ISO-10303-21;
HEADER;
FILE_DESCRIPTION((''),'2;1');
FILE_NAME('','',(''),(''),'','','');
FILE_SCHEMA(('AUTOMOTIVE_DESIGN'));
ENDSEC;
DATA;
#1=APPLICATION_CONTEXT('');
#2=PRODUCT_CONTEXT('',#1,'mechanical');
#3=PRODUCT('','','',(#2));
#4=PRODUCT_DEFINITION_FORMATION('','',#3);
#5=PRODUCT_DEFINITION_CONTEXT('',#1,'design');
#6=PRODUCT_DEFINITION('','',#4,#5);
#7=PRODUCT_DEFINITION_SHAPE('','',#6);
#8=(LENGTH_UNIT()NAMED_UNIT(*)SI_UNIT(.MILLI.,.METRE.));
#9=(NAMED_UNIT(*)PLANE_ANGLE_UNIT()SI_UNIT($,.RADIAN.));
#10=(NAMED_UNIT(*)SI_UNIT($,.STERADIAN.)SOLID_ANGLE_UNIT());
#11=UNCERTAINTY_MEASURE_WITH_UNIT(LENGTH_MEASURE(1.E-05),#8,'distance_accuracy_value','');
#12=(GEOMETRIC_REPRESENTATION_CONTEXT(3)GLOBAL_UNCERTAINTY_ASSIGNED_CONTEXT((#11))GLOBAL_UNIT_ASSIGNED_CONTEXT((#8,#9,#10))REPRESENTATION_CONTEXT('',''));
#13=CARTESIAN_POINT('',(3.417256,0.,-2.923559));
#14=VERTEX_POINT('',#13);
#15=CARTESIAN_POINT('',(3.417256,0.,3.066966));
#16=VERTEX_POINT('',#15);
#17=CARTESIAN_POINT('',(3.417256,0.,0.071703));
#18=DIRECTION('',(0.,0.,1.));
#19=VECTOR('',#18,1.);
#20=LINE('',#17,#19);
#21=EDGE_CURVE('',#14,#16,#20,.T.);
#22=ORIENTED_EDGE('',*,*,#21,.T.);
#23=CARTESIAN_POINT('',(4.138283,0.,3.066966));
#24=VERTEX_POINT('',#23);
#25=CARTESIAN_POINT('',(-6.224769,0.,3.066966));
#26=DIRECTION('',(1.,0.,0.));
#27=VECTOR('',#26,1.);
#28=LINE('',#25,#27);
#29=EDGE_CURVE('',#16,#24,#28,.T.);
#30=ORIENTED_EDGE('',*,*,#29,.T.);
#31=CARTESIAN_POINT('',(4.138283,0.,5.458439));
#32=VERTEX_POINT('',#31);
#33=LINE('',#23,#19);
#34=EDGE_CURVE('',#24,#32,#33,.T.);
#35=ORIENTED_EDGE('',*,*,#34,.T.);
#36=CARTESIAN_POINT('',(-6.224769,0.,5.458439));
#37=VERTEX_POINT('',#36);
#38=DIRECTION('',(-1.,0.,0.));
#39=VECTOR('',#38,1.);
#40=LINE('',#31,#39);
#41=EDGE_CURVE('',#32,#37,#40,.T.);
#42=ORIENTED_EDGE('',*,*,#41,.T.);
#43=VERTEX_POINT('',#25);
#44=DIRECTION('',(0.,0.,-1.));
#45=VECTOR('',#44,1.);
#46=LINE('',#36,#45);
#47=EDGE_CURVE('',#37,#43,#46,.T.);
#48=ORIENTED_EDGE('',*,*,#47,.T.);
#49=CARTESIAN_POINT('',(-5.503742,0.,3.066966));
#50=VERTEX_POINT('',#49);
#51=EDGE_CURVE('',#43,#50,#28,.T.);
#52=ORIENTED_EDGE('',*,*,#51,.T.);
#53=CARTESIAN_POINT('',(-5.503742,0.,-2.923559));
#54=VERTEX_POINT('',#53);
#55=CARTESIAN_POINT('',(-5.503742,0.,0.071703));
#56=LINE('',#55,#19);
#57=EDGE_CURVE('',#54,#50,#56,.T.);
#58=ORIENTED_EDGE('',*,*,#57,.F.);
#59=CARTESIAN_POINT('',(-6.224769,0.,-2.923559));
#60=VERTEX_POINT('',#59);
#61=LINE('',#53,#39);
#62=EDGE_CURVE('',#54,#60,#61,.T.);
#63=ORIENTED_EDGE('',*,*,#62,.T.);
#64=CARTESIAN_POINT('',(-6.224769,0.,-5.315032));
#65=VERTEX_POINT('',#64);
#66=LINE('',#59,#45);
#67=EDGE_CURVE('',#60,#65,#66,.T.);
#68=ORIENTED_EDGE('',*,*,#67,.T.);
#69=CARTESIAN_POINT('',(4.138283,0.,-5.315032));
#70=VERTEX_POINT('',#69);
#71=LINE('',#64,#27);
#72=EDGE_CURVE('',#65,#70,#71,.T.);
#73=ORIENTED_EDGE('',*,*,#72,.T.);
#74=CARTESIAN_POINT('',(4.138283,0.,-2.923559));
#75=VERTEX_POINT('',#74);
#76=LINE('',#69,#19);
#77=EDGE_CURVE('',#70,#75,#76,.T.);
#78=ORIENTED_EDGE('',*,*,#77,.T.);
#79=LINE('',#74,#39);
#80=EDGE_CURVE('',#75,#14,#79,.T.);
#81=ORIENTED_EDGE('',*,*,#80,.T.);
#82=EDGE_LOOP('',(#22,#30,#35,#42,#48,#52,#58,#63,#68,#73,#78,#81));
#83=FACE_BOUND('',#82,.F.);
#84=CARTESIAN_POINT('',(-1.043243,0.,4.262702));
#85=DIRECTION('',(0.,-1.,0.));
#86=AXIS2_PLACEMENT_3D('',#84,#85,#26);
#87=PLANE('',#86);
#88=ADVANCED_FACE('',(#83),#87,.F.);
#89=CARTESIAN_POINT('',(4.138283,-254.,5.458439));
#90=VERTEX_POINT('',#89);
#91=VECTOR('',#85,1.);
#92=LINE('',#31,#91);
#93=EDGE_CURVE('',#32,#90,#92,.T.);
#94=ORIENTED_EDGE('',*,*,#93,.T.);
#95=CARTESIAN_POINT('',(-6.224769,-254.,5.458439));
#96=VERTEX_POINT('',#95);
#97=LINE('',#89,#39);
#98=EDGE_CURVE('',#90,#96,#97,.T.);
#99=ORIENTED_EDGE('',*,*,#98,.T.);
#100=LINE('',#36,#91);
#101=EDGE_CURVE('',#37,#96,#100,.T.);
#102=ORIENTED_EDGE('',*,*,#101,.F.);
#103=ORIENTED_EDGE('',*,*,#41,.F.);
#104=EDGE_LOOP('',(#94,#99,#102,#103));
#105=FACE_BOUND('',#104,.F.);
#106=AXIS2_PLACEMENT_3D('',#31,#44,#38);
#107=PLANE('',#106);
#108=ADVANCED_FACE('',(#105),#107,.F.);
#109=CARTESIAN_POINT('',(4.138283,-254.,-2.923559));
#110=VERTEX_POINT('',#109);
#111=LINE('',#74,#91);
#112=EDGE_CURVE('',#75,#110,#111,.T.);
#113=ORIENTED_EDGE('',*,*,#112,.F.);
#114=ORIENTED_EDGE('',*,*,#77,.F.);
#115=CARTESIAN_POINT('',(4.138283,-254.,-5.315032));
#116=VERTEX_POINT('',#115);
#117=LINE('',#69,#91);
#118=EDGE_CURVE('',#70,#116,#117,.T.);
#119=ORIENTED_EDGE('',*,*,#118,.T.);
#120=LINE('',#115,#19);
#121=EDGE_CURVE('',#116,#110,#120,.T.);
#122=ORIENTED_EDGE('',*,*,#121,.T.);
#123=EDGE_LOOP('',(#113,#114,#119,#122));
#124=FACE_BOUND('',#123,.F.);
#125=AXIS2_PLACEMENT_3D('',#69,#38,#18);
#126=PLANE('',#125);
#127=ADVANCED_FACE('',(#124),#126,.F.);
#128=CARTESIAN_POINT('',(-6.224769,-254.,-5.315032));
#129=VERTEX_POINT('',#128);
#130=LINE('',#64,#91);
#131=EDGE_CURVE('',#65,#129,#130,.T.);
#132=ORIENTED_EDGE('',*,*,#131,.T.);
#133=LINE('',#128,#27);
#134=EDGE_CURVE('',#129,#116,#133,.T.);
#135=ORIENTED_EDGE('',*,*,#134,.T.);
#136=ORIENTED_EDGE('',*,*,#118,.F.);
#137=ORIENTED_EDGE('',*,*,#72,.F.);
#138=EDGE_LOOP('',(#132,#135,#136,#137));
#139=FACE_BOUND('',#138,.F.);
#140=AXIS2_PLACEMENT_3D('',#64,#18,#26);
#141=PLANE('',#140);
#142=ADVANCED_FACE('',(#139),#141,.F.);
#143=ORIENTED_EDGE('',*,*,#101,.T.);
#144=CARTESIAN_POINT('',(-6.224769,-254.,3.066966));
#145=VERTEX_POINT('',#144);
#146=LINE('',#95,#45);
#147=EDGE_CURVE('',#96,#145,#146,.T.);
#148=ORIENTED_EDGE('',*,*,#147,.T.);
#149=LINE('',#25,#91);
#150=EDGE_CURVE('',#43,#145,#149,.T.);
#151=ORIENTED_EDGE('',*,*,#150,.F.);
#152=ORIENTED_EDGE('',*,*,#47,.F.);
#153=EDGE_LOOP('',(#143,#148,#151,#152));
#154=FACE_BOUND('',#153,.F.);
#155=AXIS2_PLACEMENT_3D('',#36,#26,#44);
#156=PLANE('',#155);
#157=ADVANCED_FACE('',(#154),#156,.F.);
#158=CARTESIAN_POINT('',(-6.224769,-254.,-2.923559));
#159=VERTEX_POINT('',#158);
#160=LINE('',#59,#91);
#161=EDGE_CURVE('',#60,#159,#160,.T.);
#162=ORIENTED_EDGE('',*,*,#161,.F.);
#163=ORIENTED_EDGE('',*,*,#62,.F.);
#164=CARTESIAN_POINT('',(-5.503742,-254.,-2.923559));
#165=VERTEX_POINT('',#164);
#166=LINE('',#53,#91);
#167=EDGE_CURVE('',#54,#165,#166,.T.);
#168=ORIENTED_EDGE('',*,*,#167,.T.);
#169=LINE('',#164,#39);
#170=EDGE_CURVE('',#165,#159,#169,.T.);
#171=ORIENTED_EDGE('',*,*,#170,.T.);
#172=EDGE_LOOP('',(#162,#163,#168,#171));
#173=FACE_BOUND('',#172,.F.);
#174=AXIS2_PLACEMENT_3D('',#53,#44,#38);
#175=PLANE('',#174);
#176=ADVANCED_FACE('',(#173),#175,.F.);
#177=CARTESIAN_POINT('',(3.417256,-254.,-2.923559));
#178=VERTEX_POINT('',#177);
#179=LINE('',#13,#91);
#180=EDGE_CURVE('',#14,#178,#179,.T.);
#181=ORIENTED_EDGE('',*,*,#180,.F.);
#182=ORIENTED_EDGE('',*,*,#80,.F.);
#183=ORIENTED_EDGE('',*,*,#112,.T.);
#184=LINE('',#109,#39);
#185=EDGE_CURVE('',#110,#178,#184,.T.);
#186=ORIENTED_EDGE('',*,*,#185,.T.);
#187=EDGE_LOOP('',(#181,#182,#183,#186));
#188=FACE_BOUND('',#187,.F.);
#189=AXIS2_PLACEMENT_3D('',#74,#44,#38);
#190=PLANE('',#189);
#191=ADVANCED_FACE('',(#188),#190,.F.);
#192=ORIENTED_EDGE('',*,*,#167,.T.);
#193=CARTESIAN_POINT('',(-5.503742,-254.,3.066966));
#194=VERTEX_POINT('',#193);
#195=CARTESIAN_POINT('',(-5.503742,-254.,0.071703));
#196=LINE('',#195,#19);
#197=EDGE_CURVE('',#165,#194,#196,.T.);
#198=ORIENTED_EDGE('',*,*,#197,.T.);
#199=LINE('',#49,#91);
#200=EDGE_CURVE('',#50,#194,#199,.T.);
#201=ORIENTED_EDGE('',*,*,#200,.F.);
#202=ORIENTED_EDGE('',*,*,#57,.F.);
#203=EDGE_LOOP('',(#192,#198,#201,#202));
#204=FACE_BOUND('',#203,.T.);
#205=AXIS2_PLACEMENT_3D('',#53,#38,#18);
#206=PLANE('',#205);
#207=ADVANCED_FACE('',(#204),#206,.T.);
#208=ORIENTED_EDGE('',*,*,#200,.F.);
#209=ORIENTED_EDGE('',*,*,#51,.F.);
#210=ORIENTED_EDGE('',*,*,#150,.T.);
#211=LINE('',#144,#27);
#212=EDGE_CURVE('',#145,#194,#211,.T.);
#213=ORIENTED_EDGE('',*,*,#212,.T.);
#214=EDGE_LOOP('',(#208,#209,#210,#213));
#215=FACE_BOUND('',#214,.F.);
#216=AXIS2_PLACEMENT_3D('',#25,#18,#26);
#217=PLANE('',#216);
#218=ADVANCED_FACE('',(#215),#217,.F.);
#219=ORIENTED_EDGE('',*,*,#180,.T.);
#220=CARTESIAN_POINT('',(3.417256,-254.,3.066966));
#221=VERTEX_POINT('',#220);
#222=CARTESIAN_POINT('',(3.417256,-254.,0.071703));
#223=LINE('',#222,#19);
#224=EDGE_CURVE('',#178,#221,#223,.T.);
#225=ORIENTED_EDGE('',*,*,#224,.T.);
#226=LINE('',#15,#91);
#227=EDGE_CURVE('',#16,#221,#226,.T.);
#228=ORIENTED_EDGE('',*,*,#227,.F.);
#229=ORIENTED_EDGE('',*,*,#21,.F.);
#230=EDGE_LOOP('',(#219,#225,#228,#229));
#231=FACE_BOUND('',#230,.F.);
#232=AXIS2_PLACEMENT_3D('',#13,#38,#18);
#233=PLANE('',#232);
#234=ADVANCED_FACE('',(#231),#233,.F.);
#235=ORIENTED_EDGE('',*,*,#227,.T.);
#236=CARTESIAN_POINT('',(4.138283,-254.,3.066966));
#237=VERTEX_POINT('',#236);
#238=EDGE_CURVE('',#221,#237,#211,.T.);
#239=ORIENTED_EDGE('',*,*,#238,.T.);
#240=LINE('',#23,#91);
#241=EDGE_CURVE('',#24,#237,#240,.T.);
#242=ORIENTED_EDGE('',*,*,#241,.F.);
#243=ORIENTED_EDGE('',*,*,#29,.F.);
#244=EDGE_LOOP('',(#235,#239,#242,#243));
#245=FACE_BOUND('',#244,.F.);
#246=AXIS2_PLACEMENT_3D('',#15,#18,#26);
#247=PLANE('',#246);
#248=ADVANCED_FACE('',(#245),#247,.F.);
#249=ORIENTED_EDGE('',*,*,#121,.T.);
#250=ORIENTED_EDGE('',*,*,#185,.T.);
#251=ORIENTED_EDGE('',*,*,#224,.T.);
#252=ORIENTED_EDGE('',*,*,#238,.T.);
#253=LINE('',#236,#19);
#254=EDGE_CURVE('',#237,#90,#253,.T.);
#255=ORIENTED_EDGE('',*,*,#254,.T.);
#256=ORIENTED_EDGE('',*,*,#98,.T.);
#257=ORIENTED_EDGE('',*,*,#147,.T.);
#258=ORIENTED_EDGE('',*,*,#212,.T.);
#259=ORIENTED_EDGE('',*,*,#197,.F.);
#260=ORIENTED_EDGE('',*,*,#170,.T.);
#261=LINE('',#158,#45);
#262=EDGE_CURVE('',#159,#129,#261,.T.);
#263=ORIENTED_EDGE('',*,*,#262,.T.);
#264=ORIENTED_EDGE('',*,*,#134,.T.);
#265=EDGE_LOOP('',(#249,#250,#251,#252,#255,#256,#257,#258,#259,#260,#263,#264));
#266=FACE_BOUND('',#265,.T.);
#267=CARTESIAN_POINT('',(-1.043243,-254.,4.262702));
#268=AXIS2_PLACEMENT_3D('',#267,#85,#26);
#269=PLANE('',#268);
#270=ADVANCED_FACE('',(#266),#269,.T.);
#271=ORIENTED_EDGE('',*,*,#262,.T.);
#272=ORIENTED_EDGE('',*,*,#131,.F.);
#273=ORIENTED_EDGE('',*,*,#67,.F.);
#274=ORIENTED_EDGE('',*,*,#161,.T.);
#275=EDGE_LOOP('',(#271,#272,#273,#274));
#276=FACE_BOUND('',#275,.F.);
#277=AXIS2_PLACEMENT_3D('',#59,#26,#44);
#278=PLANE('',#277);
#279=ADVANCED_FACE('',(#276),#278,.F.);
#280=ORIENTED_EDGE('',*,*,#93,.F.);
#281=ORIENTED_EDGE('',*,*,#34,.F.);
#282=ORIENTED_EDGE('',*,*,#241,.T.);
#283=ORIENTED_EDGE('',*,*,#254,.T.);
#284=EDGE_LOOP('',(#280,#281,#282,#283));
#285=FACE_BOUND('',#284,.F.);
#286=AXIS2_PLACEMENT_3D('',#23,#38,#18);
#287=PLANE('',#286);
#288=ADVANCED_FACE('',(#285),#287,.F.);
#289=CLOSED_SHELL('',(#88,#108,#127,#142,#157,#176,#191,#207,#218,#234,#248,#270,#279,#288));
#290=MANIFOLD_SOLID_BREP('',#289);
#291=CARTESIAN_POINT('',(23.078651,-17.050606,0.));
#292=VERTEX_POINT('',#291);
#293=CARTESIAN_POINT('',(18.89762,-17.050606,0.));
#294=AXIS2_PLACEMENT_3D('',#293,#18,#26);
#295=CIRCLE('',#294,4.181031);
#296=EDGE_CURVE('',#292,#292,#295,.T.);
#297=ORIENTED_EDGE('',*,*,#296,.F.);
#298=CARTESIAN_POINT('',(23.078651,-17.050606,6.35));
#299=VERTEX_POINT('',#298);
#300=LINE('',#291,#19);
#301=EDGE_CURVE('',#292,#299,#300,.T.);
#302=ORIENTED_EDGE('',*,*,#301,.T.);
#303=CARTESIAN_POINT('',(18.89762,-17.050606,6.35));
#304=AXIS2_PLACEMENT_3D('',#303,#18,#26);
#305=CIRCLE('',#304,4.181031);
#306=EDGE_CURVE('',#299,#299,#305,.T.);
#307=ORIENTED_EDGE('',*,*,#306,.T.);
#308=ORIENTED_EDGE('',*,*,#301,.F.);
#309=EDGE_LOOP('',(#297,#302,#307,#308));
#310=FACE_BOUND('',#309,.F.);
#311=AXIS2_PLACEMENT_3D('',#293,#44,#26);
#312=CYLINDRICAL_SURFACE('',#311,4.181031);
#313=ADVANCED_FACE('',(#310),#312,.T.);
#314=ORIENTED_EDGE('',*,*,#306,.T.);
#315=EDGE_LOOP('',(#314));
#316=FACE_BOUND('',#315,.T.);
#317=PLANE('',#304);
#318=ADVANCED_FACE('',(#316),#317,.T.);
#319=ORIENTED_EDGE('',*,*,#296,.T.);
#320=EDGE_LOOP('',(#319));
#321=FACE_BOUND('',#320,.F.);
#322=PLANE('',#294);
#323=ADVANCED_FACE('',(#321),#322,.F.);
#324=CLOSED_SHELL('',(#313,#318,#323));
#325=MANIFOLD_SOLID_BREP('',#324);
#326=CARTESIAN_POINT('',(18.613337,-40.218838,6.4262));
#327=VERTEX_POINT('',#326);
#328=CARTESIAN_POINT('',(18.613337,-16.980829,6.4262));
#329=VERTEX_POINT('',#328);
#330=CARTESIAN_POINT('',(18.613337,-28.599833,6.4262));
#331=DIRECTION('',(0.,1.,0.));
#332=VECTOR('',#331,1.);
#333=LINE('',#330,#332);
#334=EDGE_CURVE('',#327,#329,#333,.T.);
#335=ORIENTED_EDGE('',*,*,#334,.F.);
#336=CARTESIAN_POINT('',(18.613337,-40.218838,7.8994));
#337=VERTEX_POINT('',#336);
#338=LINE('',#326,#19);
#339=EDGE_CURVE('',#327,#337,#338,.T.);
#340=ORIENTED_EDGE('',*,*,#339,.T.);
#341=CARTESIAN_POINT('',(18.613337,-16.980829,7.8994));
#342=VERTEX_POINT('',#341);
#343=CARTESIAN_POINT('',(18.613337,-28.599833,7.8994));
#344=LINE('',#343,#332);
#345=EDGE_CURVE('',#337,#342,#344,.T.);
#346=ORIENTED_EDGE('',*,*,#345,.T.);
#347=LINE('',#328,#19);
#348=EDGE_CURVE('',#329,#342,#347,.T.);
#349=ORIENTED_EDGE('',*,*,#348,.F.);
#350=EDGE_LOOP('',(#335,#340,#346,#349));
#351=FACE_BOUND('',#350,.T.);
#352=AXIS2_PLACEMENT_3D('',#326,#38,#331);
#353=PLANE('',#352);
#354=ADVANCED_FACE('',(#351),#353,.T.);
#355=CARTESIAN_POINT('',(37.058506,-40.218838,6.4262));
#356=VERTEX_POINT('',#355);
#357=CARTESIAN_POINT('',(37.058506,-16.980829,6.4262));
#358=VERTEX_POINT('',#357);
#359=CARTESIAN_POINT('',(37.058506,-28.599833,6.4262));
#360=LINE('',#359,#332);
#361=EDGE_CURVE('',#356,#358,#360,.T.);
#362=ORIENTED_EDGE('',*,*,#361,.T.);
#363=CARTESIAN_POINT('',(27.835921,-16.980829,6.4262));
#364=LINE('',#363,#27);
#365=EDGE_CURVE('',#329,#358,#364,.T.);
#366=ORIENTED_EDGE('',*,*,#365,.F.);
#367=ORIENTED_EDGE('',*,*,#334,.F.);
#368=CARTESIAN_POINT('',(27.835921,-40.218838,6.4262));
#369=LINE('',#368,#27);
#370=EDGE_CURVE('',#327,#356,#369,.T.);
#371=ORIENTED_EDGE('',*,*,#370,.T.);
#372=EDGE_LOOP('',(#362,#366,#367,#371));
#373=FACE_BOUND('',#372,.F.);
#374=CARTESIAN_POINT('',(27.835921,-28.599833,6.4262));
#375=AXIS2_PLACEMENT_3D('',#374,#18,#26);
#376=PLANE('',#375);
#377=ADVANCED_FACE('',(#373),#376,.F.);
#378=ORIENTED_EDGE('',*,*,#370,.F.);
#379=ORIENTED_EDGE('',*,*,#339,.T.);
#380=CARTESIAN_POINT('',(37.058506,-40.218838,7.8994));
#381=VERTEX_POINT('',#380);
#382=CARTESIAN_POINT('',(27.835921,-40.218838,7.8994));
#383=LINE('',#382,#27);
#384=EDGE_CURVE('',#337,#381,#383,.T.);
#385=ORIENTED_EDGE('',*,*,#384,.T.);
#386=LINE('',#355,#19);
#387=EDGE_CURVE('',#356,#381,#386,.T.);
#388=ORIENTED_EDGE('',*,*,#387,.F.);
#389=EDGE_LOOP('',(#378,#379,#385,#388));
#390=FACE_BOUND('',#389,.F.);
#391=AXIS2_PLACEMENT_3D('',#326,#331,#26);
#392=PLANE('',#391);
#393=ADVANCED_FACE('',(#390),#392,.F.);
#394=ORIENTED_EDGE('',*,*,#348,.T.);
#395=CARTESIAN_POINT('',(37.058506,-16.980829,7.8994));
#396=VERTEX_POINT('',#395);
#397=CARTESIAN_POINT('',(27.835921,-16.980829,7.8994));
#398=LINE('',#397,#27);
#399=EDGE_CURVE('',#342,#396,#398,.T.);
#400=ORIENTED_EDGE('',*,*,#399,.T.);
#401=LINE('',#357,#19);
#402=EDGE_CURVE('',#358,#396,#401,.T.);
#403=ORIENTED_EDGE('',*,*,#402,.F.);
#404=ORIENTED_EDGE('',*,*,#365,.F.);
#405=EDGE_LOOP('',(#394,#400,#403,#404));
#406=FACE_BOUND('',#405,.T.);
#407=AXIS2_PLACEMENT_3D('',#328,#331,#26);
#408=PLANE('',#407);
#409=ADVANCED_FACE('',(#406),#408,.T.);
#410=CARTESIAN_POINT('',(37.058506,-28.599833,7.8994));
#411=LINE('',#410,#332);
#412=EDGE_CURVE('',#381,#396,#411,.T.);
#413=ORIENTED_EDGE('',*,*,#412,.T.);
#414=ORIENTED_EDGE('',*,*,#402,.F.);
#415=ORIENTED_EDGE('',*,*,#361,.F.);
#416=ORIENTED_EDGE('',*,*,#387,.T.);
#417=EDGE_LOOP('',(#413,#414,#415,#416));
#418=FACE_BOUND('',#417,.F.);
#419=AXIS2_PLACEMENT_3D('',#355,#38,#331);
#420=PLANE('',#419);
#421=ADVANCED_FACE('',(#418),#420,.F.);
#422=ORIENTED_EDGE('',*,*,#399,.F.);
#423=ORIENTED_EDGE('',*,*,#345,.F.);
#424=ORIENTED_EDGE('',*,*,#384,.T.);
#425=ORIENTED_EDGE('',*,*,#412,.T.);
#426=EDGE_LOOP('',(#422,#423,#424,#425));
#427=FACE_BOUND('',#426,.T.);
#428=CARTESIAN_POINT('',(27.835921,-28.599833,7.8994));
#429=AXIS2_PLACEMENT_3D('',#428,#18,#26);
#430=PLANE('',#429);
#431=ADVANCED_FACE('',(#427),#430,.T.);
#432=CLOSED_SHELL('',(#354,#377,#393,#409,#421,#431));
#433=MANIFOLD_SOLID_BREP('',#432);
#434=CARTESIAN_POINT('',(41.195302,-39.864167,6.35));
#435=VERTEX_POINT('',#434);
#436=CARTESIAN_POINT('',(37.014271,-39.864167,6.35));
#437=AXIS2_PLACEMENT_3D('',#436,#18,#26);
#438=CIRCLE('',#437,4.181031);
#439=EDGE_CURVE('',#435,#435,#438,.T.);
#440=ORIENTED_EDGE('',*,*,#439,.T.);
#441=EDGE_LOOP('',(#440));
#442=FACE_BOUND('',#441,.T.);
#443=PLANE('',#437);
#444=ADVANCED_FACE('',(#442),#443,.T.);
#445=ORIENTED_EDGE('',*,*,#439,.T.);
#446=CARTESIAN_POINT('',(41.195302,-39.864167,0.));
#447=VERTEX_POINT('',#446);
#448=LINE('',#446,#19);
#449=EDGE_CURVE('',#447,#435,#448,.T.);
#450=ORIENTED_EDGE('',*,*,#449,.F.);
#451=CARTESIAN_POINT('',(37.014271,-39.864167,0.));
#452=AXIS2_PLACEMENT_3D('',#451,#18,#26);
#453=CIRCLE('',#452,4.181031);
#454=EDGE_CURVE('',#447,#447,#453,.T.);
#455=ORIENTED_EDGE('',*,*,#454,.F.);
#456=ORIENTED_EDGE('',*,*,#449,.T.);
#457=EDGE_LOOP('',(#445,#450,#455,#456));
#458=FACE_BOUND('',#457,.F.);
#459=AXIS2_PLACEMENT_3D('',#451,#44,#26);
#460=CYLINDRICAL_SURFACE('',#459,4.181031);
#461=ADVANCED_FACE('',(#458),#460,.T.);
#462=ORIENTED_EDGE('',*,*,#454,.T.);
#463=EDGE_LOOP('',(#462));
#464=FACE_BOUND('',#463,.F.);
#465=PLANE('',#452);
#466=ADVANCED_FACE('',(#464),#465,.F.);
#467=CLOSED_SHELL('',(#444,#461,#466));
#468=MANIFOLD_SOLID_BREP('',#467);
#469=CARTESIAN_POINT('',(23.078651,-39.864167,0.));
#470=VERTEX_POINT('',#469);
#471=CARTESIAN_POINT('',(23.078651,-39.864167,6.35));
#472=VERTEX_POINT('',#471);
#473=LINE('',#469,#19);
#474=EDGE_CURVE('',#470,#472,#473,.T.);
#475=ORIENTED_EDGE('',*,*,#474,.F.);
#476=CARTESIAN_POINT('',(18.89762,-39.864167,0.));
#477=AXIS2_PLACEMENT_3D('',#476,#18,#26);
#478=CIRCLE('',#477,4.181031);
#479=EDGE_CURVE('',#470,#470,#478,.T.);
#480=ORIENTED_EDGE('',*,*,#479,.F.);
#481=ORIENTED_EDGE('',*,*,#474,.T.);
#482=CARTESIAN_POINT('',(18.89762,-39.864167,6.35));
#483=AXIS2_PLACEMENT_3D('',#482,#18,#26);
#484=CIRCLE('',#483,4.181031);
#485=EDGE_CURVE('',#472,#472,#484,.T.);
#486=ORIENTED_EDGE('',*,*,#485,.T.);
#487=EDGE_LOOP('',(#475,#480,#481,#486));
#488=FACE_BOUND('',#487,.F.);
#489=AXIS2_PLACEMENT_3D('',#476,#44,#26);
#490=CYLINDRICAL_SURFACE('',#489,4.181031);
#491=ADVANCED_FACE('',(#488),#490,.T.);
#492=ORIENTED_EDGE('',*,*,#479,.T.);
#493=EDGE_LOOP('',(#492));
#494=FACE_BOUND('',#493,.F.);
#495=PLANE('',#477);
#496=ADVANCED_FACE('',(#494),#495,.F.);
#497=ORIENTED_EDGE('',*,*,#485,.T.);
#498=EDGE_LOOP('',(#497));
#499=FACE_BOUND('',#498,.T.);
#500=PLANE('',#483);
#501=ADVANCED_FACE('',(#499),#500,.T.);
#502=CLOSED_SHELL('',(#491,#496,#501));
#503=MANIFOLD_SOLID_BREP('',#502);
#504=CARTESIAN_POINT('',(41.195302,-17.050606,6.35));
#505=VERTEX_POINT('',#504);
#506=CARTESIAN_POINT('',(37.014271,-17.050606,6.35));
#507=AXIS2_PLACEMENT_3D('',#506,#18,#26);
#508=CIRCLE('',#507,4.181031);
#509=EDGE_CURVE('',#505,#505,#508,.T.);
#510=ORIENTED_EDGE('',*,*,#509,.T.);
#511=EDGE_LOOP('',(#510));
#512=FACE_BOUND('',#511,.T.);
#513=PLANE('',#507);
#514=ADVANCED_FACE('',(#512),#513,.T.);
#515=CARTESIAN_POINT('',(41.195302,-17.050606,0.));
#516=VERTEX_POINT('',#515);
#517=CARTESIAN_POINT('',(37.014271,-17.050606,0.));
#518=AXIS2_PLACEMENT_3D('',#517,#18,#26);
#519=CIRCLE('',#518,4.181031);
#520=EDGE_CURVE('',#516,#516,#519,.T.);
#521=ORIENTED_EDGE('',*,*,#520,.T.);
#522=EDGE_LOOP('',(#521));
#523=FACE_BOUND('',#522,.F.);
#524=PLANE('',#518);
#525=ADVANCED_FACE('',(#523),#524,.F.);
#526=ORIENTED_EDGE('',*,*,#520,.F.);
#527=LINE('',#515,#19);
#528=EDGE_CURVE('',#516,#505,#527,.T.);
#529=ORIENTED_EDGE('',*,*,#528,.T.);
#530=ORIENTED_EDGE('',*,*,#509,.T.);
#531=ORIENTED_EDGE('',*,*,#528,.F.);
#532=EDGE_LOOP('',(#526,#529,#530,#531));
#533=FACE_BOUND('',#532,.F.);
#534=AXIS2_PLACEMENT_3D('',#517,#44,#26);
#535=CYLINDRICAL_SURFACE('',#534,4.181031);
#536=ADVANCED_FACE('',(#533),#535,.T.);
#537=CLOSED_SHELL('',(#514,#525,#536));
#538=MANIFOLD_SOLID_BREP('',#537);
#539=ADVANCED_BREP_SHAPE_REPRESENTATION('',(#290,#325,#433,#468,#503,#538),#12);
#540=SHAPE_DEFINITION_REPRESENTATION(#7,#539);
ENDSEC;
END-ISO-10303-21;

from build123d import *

# Parameters (mm, degrees)
F0_W     = 8.9209983125
F0_H     = 5.9905247763
F1_DEPTH = 254
F2_R     = 4.1810308668
F3_DEPTH = 6.35
F5_START = 6.4262
F4_W     = 18.4451695532
F4_H     = 23.2380088419
F5_DEPTH = 1.4732


with BuildPart() as f1:
    # F0 (on Front) → F1 (new body)
    with BuildSketch(Plane.XZ):
        Polygon((4.1382829659, 5.458438769), (-6.2247687019, 5.458438769), (-6.2247687019, 3.0669656117), (-5.5037420243, 3.0669656117), (3.4172562882, 3.0669656117), (4.1382829659, 3.0669656117), align=None)
        with Locations((-1.043242868, 0.0717032235)):
            Rectangle(F0_W, F0_H)
        Polygon((3.4172562882, -2.9235591646), (-5.5037420243, -2.9235591646), (-6.2247687019, -2.9235591646), (-6.2247687019, -5.315032322), (4.1382829659, -5.315032322), (4.1382829659, -2.9235591646), align=None)
    extrude(amount=F1_DEPTH)


with BuildPart() as f3:
    # F2 (on Top) → F3 (new body)
    with BuildSketch(Plane.XY):
        with Locations((18.8976201718, -17.0506061133)):
            Circle(F2_R)
    extrude(amount=F3_DEPTH)


with BuildPart() as f3b:
    # F2 (on Top) → F3, piece 2 (new body)
    with BuildSketch(Plane.XY):
        with Locations((37.0142709906, -17.0506061133)):
            Circle(F2_R)
    extrude(amount=F3_DEPTH)


with BuildPart() as f3c:
    # F2 (on Top) → F3, piece 3 (new body)
    with BuildSketch(Plane.XY):
        with Locations((37.0142709906, -39.8641667251)):
            Circle(F2_R)
    extrude(amount=F3_DEPTH)


with BuildPart() as f3d:
    # F2 (on Top) → F3, piece 4 (new body)
    with BuildSketch(Plane.XY):
        with Locations((18.8976201718, -39.8641667251)):
            Circle(F2_R)
    extrude(amount=F3_DEPTH)


with BuildPart() as f5:
    # F4 (on Top) → F5 (new body)
    with BuildSketch(Plane.XY.offset(F5_START)):
        with Locations((27.8359213844, -28.5998331383)):
            Rectangle(F4_W, F4_H)
    extrude(amount=F5_DEPTH)


solid = Compound([f1.part, f3.part, f3b.part, f3c.part, f3d.part, f5.part])
